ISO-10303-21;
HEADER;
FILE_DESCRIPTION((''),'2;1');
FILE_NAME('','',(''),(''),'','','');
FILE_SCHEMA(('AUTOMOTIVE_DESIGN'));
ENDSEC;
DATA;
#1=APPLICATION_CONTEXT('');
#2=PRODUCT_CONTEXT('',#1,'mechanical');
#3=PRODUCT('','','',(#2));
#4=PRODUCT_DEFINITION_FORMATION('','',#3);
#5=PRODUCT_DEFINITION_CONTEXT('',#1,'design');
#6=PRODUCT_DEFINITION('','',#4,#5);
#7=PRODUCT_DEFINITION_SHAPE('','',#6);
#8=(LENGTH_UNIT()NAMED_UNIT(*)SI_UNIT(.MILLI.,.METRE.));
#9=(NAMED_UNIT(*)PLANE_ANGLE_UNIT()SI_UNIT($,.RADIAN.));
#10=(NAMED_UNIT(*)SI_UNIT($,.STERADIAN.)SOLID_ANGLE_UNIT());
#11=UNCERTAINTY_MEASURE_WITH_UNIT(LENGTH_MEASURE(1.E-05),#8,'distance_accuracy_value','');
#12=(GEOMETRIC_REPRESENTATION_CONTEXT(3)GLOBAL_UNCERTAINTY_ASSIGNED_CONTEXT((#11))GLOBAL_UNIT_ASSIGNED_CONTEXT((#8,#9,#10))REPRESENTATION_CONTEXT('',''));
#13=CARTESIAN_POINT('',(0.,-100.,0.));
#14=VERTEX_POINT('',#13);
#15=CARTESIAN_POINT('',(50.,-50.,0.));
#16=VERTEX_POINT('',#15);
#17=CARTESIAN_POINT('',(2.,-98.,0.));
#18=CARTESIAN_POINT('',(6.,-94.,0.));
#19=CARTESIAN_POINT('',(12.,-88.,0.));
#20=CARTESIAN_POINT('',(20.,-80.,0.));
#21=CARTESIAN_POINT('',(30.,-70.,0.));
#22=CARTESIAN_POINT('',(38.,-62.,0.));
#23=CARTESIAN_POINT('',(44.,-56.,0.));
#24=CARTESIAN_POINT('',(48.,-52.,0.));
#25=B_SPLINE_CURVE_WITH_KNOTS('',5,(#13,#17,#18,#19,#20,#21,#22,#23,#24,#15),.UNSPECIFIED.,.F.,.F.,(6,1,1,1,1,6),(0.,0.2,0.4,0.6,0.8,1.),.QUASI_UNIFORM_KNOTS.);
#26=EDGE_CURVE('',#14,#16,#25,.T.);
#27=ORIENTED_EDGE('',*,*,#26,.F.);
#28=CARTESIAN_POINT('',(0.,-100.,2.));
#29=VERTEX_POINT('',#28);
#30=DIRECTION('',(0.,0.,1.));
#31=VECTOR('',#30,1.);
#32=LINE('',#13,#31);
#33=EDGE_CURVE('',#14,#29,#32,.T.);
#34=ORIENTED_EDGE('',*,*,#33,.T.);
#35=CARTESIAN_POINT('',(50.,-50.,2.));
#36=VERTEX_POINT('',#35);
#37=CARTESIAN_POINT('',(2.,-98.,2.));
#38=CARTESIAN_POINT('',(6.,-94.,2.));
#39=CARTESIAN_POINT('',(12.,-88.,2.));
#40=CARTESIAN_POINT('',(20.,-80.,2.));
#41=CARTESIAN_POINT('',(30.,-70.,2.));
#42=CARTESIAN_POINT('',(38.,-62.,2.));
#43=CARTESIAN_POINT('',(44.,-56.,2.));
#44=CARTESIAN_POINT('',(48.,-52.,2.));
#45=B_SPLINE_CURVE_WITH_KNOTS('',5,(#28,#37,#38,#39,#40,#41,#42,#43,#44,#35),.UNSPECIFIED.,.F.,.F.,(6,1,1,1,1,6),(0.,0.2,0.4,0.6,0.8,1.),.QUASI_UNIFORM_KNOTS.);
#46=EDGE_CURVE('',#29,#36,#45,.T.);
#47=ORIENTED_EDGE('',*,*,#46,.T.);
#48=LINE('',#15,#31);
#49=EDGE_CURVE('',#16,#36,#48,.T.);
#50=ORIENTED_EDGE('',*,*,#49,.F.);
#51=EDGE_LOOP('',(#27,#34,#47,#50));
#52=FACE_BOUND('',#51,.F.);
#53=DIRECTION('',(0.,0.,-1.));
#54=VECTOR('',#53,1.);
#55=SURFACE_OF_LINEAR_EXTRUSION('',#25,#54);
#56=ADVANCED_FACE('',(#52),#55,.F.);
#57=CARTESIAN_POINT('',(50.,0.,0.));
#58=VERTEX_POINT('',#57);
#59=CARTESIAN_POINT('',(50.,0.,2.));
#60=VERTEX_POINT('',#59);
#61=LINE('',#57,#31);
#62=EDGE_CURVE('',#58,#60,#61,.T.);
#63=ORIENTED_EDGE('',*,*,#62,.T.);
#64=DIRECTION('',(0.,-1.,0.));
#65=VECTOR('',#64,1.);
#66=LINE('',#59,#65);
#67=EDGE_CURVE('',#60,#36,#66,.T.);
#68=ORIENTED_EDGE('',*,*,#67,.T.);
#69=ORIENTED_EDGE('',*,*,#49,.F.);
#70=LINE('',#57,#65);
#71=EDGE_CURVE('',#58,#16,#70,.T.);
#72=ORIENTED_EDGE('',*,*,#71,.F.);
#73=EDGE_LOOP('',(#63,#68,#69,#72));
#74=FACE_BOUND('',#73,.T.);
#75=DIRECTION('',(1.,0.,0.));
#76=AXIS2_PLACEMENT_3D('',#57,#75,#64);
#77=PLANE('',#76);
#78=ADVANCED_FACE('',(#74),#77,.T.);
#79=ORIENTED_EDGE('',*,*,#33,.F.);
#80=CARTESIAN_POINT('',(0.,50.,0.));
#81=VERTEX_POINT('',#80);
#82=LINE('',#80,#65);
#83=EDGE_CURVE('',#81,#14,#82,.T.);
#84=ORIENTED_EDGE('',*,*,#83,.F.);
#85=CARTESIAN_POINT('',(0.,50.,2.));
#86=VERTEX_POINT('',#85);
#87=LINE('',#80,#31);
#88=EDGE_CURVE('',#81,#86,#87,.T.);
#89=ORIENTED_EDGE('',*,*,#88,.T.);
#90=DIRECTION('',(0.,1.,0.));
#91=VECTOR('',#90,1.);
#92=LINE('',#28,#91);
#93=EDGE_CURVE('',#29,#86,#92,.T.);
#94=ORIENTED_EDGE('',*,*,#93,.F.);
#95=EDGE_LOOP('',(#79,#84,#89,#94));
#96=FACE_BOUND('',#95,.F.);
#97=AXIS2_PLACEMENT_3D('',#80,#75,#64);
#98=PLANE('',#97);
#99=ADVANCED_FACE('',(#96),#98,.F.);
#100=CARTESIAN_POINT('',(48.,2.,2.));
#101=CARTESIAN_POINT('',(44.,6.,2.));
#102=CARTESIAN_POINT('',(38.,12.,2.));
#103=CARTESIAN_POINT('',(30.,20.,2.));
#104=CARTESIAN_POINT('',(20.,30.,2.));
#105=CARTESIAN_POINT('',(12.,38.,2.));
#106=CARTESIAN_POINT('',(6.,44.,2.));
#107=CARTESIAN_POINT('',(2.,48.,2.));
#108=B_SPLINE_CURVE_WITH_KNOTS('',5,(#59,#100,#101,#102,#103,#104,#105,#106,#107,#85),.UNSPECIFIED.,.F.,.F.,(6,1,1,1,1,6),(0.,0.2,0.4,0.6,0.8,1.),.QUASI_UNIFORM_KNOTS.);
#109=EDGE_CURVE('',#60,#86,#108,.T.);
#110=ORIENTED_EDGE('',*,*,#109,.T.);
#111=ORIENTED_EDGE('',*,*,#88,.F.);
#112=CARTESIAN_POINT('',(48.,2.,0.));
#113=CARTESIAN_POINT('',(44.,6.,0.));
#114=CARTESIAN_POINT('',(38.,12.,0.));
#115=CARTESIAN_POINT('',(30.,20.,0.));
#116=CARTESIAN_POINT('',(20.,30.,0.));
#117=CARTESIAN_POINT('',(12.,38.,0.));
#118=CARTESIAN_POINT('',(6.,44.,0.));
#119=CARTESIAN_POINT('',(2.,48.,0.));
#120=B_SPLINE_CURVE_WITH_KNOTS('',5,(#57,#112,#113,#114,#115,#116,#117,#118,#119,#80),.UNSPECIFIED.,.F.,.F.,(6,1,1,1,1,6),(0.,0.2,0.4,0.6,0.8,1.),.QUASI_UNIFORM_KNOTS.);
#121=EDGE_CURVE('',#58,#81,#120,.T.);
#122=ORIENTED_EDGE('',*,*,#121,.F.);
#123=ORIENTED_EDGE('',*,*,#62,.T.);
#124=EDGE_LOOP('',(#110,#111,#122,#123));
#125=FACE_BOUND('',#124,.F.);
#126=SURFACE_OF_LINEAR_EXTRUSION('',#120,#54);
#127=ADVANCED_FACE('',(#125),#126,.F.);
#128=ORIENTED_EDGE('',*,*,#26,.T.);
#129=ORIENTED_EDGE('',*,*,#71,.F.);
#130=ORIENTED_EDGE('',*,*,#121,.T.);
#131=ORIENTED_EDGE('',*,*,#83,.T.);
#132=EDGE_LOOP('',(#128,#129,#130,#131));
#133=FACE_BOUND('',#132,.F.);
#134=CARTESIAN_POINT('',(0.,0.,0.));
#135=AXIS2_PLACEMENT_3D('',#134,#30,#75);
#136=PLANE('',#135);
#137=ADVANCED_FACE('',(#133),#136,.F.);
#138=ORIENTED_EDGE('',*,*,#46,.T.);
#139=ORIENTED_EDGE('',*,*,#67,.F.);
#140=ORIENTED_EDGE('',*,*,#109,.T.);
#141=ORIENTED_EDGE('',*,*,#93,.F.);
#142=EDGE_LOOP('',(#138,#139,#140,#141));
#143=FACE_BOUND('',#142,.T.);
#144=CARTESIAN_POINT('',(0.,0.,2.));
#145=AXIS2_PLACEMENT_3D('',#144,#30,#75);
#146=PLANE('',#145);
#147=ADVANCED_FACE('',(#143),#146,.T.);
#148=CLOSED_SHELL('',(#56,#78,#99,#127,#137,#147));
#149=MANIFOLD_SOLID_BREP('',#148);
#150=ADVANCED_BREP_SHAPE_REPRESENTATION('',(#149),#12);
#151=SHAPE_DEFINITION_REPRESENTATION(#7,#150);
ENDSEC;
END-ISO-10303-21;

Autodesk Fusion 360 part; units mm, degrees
sketch "Sketch1" plane through (0, 0, 0) normal (0, 0, 1) x (1, 0, 0)
  line L0 (0, 50) -> (0, -100)
  line L1 (0, 0) -> (50, 0)
  line L2 (50, 0) -> (50, -50)
  line L3 (50, -50) -> (0, -50)
  spline S0 degree 5 poles (0, -100) (2, -98) (6, -94) (12, -88) (20, -80) (30, -70) (38, -62) (44, -56) (48, -52) (50, -50) knots 0 0 0 0 0 0 0.2 0.4 0.6 0.8 1 1 1 1 1 1
  spline S1 degree 5 poles (50, 0) (48, 2) (44, 6) (38, 12) (30, 20) (20, 30) (12, 38) (6, 44) (2, 48) (0, 50) knots 0 0 0 0 0 0 0.2 0.4 0.6 0.8 1 1 1 1 1 1
extrude "Extrude1" add sketch "Sketch1" along normal blind 2
sketch "Sketch2" plane through (0, 0, 0) normal (0, 1, 0) x (1, 0, 0)
